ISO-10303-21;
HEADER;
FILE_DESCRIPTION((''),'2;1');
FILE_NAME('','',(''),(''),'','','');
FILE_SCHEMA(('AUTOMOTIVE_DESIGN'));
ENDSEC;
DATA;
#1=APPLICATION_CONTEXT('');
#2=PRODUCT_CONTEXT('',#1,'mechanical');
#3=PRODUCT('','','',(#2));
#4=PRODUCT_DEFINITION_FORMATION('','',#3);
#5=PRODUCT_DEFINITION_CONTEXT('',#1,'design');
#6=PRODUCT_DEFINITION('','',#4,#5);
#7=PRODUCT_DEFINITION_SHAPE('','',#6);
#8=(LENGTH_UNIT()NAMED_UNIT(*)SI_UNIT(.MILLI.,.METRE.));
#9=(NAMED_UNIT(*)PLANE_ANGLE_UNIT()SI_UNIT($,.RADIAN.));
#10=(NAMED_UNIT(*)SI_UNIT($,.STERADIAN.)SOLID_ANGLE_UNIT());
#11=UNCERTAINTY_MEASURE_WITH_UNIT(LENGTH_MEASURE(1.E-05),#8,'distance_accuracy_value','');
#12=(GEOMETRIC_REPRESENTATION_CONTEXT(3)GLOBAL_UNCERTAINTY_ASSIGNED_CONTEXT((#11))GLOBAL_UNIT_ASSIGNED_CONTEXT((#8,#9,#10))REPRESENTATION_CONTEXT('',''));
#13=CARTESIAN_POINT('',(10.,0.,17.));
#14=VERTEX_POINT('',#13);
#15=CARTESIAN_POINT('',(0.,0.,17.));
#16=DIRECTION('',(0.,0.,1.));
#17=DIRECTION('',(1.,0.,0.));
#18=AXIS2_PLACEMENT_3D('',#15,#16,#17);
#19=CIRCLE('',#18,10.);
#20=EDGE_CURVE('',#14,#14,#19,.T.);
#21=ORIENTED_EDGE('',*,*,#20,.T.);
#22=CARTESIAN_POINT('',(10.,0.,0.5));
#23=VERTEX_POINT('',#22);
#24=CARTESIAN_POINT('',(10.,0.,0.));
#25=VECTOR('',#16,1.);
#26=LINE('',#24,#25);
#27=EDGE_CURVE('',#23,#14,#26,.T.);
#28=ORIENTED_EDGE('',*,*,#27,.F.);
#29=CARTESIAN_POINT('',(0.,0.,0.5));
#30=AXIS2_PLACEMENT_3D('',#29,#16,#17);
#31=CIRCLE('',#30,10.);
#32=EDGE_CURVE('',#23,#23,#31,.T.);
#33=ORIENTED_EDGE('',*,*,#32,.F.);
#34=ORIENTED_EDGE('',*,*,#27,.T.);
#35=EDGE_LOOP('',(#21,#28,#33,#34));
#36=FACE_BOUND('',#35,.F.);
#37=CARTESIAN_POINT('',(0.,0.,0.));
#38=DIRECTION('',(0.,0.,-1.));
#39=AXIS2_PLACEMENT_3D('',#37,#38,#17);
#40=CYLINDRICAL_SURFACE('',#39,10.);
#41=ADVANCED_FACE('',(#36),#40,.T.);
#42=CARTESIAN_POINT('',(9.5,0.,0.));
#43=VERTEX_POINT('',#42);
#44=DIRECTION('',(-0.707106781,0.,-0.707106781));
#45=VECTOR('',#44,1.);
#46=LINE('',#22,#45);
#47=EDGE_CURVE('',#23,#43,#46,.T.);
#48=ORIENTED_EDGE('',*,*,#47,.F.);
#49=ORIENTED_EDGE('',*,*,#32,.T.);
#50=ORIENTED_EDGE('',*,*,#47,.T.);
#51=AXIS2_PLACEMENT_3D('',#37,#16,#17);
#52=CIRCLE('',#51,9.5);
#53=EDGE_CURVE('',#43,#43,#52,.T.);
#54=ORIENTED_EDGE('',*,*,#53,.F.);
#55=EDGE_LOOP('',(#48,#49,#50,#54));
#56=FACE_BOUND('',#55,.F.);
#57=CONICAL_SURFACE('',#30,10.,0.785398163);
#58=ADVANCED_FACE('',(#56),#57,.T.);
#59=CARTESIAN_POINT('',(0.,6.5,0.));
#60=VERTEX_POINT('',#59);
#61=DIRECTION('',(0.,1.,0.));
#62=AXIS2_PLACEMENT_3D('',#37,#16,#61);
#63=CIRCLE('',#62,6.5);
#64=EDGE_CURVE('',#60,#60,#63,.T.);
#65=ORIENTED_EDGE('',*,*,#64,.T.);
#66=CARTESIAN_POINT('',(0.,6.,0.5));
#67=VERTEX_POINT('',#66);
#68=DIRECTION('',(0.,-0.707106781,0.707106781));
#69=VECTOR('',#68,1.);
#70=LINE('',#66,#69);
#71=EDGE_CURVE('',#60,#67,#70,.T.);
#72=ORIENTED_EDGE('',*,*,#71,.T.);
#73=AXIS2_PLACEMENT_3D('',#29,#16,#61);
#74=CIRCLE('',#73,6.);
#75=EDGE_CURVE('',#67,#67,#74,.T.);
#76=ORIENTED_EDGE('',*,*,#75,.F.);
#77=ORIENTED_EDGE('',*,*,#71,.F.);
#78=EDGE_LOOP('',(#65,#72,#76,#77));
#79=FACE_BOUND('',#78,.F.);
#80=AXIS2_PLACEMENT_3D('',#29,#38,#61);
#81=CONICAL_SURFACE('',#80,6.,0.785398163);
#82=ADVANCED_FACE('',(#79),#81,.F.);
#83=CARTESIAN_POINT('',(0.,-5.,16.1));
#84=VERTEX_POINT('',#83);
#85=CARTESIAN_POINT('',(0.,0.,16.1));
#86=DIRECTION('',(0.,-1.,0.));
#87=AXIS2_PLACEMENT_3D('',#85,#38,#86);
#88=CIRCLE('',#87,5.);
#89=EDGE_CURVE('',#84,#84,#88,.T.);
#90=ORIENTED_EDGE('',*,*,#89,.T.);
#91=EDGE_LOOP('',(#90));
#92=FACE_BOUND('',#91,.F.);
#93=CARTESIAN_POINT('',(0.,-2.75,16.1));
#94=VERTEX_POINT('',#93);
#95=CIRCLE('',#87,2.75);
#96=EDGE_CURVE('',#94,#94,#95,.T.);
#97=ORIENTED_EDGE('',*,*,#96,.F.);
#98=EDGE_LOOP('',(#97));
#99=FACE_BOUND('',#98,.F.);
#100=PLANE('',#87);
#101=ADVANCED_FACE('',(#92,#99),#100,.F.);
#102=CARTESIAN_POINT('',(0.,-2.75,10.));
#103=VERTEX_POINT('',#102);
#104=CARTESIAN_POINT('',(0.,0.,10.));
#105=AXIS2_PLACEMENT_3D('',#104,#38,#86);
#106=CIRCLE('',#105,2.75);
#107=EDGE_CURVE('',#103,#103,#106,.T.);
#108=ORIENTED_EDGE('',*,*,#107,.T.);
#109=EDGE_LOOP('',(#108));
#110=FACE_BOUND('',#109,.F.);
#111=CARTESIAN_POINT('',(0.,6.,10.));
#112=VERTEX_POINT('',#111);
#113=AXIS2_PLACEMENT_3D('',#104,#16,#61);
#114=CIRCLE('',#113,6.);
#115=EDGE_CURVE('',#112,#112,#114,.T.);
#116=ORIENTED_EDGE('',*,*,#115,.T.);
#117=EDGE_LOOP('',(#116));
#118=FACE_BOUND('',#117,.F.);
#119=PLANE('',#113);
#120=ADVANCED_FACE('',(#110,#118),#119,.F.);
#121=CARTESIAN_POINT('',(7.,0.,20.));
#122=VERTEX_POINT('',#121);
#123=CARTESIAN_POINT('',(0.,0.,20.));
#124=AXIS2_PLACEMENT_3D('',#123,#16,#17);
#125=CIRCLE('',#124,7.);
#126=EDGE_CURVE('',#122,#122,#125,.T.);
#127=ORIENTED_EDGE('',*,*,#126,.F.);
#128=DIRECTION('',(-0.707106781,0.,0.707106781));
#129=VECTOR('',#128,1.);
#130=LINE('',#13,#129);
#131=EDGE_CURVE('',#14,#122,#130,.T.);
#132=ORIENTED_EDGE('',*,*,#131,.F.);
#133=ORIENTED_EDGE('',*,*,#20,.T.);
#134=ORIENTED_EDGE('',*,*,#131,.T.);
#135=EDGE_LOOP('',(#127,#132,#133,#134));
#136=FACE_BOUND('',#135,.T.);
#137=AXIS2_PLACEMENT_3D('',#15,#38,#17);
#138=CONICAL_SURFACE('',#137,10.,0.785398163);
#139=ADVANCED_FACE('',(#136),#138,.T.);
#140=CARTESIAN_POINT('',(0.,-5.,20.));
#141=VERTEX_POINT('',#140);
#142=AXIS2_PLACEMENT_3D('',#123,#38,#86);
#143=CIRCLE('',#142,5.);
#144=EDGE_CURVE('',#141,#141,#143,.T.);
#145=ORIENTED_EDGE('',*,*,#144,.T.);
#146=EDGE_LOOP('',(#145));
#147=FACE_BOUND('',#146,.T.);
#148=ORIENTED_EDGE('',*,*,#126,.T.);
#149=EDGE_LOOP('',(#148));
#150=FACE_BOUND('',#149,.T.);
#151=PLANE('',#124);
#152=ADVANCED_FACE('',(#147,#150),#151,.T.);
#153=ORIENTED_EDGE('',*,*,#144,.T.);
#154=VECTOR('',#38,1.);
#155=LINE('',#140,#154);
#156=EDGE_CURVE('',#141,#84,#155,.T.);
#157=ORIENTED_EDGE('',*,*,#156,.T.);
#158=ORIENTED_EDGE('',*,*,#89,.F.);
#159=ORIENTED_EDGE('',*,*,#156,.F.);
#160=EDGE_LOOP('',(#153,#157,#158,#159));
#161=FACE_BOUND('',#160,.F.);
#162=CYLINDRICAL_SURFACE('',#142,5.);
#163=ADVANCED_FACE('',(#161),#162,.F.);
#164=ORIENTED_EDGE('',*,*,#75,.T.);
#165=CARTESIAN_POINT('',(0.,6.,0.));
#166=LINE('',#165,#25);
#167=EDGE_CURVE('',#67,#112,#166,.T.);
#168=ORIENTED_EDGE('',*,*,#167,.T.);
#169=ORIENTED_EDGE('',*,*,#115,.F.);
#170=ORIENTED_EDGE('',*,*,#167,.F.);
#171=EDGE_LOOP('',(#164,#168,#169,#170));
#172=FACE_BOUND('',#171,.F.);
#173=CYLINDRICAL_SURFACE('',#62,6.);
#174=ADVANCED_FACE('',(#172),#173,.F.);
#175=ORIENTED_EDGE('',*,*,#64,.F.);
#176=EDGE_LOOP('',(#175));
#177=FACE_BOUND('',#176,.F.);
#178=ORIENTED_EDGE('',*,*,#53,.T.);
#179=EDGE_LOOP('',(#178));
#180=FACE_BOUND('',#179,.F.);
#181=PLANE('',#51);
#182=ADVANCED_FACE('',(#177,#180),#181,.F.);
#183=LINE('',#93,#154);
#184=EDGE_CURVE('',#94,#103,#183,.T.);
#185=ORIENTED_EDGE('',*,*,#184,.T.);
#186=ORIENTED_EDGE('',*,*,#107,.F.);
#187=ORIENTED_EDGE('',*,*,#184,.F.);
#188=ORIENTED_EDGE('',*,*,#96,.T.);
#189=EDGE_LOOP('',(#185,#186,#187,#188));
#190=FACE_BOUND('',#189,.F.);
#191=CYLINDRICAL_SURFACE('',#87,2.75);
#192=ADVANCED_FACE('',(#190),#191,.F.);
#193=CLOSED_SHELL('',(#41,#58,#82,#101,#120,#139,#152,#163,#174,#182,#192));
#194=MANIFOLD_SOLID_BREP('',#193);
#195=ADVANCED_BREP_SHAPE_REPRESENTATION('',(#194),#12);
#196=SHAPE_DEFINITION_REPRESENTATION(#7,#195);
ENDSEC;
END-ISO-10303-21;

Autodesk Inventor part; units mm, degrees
ref_plane "YZ Plane" through (0, 0, 0) normal (1, 0, 0) x (0, 1, 0)
ref_plane "XZ Plane" through (0, 0, 0) normal (0, 1, 0) x (-1, 0, 0)
ref_plane "XY Plane" through (0, 0, 0) normal (0, 0, 1) x (1, 0, 0)
sketch "Skizze2" plane through (0, 0, 0) normal (0, 0, 1) x (1, 0, 0)
  line L0 (0, 14) -> (0, -14) construction
  line L1 (-14, 0) -> (14, 0) construction
  circle A0 centre (0, 0) radius 10
  dimension "d0" = 20
extrude "Grundkörper" add sketch "Skizze2" along normal blind 20
sketch "Skizze3" plane through (0, 0, 0) normal (0, 0, -1) x (-1, 0, 0)
  line L0 (0, -14) -> (0, 14) projected
  line L1 (-14, 0) -> (14, 0) projected
  point P0 (0, 0)
  point P1 (0, 0)
hole "12H7_Passbohrung" at (0, 0, 0) direction (0, 0, 1) diameter 12 depth 10
sketch "Skizze4" plane through (0, 0, 20) normal (0, 0, 1) x (1, 0, 0)
  line L0 (0, 14) -> (0, -14) construction
  line L1 (-14, 0) -> (14, 0) construction
  point P0 (0, 0)
  point P1 (0, 0)
hole "DIN7984_M5_Bohrung" at (0, 0, 20) direction (0, 0, -1) diameter 5.5 end through all counterbore diameter 10 counterbore depth 3.9
chamfer "Fase_Deckel" distance 3 angle 45 1 edges at (-10, 0, 20)
chamfer "Fase_Allgemein" distance 0.5 angle 45 2 edges at (0, -6, 0) (-10, 0, 0)
properties part number "200-60-DIFFERENTIAL-CONNECTOR-03" material "Edelstahl"
